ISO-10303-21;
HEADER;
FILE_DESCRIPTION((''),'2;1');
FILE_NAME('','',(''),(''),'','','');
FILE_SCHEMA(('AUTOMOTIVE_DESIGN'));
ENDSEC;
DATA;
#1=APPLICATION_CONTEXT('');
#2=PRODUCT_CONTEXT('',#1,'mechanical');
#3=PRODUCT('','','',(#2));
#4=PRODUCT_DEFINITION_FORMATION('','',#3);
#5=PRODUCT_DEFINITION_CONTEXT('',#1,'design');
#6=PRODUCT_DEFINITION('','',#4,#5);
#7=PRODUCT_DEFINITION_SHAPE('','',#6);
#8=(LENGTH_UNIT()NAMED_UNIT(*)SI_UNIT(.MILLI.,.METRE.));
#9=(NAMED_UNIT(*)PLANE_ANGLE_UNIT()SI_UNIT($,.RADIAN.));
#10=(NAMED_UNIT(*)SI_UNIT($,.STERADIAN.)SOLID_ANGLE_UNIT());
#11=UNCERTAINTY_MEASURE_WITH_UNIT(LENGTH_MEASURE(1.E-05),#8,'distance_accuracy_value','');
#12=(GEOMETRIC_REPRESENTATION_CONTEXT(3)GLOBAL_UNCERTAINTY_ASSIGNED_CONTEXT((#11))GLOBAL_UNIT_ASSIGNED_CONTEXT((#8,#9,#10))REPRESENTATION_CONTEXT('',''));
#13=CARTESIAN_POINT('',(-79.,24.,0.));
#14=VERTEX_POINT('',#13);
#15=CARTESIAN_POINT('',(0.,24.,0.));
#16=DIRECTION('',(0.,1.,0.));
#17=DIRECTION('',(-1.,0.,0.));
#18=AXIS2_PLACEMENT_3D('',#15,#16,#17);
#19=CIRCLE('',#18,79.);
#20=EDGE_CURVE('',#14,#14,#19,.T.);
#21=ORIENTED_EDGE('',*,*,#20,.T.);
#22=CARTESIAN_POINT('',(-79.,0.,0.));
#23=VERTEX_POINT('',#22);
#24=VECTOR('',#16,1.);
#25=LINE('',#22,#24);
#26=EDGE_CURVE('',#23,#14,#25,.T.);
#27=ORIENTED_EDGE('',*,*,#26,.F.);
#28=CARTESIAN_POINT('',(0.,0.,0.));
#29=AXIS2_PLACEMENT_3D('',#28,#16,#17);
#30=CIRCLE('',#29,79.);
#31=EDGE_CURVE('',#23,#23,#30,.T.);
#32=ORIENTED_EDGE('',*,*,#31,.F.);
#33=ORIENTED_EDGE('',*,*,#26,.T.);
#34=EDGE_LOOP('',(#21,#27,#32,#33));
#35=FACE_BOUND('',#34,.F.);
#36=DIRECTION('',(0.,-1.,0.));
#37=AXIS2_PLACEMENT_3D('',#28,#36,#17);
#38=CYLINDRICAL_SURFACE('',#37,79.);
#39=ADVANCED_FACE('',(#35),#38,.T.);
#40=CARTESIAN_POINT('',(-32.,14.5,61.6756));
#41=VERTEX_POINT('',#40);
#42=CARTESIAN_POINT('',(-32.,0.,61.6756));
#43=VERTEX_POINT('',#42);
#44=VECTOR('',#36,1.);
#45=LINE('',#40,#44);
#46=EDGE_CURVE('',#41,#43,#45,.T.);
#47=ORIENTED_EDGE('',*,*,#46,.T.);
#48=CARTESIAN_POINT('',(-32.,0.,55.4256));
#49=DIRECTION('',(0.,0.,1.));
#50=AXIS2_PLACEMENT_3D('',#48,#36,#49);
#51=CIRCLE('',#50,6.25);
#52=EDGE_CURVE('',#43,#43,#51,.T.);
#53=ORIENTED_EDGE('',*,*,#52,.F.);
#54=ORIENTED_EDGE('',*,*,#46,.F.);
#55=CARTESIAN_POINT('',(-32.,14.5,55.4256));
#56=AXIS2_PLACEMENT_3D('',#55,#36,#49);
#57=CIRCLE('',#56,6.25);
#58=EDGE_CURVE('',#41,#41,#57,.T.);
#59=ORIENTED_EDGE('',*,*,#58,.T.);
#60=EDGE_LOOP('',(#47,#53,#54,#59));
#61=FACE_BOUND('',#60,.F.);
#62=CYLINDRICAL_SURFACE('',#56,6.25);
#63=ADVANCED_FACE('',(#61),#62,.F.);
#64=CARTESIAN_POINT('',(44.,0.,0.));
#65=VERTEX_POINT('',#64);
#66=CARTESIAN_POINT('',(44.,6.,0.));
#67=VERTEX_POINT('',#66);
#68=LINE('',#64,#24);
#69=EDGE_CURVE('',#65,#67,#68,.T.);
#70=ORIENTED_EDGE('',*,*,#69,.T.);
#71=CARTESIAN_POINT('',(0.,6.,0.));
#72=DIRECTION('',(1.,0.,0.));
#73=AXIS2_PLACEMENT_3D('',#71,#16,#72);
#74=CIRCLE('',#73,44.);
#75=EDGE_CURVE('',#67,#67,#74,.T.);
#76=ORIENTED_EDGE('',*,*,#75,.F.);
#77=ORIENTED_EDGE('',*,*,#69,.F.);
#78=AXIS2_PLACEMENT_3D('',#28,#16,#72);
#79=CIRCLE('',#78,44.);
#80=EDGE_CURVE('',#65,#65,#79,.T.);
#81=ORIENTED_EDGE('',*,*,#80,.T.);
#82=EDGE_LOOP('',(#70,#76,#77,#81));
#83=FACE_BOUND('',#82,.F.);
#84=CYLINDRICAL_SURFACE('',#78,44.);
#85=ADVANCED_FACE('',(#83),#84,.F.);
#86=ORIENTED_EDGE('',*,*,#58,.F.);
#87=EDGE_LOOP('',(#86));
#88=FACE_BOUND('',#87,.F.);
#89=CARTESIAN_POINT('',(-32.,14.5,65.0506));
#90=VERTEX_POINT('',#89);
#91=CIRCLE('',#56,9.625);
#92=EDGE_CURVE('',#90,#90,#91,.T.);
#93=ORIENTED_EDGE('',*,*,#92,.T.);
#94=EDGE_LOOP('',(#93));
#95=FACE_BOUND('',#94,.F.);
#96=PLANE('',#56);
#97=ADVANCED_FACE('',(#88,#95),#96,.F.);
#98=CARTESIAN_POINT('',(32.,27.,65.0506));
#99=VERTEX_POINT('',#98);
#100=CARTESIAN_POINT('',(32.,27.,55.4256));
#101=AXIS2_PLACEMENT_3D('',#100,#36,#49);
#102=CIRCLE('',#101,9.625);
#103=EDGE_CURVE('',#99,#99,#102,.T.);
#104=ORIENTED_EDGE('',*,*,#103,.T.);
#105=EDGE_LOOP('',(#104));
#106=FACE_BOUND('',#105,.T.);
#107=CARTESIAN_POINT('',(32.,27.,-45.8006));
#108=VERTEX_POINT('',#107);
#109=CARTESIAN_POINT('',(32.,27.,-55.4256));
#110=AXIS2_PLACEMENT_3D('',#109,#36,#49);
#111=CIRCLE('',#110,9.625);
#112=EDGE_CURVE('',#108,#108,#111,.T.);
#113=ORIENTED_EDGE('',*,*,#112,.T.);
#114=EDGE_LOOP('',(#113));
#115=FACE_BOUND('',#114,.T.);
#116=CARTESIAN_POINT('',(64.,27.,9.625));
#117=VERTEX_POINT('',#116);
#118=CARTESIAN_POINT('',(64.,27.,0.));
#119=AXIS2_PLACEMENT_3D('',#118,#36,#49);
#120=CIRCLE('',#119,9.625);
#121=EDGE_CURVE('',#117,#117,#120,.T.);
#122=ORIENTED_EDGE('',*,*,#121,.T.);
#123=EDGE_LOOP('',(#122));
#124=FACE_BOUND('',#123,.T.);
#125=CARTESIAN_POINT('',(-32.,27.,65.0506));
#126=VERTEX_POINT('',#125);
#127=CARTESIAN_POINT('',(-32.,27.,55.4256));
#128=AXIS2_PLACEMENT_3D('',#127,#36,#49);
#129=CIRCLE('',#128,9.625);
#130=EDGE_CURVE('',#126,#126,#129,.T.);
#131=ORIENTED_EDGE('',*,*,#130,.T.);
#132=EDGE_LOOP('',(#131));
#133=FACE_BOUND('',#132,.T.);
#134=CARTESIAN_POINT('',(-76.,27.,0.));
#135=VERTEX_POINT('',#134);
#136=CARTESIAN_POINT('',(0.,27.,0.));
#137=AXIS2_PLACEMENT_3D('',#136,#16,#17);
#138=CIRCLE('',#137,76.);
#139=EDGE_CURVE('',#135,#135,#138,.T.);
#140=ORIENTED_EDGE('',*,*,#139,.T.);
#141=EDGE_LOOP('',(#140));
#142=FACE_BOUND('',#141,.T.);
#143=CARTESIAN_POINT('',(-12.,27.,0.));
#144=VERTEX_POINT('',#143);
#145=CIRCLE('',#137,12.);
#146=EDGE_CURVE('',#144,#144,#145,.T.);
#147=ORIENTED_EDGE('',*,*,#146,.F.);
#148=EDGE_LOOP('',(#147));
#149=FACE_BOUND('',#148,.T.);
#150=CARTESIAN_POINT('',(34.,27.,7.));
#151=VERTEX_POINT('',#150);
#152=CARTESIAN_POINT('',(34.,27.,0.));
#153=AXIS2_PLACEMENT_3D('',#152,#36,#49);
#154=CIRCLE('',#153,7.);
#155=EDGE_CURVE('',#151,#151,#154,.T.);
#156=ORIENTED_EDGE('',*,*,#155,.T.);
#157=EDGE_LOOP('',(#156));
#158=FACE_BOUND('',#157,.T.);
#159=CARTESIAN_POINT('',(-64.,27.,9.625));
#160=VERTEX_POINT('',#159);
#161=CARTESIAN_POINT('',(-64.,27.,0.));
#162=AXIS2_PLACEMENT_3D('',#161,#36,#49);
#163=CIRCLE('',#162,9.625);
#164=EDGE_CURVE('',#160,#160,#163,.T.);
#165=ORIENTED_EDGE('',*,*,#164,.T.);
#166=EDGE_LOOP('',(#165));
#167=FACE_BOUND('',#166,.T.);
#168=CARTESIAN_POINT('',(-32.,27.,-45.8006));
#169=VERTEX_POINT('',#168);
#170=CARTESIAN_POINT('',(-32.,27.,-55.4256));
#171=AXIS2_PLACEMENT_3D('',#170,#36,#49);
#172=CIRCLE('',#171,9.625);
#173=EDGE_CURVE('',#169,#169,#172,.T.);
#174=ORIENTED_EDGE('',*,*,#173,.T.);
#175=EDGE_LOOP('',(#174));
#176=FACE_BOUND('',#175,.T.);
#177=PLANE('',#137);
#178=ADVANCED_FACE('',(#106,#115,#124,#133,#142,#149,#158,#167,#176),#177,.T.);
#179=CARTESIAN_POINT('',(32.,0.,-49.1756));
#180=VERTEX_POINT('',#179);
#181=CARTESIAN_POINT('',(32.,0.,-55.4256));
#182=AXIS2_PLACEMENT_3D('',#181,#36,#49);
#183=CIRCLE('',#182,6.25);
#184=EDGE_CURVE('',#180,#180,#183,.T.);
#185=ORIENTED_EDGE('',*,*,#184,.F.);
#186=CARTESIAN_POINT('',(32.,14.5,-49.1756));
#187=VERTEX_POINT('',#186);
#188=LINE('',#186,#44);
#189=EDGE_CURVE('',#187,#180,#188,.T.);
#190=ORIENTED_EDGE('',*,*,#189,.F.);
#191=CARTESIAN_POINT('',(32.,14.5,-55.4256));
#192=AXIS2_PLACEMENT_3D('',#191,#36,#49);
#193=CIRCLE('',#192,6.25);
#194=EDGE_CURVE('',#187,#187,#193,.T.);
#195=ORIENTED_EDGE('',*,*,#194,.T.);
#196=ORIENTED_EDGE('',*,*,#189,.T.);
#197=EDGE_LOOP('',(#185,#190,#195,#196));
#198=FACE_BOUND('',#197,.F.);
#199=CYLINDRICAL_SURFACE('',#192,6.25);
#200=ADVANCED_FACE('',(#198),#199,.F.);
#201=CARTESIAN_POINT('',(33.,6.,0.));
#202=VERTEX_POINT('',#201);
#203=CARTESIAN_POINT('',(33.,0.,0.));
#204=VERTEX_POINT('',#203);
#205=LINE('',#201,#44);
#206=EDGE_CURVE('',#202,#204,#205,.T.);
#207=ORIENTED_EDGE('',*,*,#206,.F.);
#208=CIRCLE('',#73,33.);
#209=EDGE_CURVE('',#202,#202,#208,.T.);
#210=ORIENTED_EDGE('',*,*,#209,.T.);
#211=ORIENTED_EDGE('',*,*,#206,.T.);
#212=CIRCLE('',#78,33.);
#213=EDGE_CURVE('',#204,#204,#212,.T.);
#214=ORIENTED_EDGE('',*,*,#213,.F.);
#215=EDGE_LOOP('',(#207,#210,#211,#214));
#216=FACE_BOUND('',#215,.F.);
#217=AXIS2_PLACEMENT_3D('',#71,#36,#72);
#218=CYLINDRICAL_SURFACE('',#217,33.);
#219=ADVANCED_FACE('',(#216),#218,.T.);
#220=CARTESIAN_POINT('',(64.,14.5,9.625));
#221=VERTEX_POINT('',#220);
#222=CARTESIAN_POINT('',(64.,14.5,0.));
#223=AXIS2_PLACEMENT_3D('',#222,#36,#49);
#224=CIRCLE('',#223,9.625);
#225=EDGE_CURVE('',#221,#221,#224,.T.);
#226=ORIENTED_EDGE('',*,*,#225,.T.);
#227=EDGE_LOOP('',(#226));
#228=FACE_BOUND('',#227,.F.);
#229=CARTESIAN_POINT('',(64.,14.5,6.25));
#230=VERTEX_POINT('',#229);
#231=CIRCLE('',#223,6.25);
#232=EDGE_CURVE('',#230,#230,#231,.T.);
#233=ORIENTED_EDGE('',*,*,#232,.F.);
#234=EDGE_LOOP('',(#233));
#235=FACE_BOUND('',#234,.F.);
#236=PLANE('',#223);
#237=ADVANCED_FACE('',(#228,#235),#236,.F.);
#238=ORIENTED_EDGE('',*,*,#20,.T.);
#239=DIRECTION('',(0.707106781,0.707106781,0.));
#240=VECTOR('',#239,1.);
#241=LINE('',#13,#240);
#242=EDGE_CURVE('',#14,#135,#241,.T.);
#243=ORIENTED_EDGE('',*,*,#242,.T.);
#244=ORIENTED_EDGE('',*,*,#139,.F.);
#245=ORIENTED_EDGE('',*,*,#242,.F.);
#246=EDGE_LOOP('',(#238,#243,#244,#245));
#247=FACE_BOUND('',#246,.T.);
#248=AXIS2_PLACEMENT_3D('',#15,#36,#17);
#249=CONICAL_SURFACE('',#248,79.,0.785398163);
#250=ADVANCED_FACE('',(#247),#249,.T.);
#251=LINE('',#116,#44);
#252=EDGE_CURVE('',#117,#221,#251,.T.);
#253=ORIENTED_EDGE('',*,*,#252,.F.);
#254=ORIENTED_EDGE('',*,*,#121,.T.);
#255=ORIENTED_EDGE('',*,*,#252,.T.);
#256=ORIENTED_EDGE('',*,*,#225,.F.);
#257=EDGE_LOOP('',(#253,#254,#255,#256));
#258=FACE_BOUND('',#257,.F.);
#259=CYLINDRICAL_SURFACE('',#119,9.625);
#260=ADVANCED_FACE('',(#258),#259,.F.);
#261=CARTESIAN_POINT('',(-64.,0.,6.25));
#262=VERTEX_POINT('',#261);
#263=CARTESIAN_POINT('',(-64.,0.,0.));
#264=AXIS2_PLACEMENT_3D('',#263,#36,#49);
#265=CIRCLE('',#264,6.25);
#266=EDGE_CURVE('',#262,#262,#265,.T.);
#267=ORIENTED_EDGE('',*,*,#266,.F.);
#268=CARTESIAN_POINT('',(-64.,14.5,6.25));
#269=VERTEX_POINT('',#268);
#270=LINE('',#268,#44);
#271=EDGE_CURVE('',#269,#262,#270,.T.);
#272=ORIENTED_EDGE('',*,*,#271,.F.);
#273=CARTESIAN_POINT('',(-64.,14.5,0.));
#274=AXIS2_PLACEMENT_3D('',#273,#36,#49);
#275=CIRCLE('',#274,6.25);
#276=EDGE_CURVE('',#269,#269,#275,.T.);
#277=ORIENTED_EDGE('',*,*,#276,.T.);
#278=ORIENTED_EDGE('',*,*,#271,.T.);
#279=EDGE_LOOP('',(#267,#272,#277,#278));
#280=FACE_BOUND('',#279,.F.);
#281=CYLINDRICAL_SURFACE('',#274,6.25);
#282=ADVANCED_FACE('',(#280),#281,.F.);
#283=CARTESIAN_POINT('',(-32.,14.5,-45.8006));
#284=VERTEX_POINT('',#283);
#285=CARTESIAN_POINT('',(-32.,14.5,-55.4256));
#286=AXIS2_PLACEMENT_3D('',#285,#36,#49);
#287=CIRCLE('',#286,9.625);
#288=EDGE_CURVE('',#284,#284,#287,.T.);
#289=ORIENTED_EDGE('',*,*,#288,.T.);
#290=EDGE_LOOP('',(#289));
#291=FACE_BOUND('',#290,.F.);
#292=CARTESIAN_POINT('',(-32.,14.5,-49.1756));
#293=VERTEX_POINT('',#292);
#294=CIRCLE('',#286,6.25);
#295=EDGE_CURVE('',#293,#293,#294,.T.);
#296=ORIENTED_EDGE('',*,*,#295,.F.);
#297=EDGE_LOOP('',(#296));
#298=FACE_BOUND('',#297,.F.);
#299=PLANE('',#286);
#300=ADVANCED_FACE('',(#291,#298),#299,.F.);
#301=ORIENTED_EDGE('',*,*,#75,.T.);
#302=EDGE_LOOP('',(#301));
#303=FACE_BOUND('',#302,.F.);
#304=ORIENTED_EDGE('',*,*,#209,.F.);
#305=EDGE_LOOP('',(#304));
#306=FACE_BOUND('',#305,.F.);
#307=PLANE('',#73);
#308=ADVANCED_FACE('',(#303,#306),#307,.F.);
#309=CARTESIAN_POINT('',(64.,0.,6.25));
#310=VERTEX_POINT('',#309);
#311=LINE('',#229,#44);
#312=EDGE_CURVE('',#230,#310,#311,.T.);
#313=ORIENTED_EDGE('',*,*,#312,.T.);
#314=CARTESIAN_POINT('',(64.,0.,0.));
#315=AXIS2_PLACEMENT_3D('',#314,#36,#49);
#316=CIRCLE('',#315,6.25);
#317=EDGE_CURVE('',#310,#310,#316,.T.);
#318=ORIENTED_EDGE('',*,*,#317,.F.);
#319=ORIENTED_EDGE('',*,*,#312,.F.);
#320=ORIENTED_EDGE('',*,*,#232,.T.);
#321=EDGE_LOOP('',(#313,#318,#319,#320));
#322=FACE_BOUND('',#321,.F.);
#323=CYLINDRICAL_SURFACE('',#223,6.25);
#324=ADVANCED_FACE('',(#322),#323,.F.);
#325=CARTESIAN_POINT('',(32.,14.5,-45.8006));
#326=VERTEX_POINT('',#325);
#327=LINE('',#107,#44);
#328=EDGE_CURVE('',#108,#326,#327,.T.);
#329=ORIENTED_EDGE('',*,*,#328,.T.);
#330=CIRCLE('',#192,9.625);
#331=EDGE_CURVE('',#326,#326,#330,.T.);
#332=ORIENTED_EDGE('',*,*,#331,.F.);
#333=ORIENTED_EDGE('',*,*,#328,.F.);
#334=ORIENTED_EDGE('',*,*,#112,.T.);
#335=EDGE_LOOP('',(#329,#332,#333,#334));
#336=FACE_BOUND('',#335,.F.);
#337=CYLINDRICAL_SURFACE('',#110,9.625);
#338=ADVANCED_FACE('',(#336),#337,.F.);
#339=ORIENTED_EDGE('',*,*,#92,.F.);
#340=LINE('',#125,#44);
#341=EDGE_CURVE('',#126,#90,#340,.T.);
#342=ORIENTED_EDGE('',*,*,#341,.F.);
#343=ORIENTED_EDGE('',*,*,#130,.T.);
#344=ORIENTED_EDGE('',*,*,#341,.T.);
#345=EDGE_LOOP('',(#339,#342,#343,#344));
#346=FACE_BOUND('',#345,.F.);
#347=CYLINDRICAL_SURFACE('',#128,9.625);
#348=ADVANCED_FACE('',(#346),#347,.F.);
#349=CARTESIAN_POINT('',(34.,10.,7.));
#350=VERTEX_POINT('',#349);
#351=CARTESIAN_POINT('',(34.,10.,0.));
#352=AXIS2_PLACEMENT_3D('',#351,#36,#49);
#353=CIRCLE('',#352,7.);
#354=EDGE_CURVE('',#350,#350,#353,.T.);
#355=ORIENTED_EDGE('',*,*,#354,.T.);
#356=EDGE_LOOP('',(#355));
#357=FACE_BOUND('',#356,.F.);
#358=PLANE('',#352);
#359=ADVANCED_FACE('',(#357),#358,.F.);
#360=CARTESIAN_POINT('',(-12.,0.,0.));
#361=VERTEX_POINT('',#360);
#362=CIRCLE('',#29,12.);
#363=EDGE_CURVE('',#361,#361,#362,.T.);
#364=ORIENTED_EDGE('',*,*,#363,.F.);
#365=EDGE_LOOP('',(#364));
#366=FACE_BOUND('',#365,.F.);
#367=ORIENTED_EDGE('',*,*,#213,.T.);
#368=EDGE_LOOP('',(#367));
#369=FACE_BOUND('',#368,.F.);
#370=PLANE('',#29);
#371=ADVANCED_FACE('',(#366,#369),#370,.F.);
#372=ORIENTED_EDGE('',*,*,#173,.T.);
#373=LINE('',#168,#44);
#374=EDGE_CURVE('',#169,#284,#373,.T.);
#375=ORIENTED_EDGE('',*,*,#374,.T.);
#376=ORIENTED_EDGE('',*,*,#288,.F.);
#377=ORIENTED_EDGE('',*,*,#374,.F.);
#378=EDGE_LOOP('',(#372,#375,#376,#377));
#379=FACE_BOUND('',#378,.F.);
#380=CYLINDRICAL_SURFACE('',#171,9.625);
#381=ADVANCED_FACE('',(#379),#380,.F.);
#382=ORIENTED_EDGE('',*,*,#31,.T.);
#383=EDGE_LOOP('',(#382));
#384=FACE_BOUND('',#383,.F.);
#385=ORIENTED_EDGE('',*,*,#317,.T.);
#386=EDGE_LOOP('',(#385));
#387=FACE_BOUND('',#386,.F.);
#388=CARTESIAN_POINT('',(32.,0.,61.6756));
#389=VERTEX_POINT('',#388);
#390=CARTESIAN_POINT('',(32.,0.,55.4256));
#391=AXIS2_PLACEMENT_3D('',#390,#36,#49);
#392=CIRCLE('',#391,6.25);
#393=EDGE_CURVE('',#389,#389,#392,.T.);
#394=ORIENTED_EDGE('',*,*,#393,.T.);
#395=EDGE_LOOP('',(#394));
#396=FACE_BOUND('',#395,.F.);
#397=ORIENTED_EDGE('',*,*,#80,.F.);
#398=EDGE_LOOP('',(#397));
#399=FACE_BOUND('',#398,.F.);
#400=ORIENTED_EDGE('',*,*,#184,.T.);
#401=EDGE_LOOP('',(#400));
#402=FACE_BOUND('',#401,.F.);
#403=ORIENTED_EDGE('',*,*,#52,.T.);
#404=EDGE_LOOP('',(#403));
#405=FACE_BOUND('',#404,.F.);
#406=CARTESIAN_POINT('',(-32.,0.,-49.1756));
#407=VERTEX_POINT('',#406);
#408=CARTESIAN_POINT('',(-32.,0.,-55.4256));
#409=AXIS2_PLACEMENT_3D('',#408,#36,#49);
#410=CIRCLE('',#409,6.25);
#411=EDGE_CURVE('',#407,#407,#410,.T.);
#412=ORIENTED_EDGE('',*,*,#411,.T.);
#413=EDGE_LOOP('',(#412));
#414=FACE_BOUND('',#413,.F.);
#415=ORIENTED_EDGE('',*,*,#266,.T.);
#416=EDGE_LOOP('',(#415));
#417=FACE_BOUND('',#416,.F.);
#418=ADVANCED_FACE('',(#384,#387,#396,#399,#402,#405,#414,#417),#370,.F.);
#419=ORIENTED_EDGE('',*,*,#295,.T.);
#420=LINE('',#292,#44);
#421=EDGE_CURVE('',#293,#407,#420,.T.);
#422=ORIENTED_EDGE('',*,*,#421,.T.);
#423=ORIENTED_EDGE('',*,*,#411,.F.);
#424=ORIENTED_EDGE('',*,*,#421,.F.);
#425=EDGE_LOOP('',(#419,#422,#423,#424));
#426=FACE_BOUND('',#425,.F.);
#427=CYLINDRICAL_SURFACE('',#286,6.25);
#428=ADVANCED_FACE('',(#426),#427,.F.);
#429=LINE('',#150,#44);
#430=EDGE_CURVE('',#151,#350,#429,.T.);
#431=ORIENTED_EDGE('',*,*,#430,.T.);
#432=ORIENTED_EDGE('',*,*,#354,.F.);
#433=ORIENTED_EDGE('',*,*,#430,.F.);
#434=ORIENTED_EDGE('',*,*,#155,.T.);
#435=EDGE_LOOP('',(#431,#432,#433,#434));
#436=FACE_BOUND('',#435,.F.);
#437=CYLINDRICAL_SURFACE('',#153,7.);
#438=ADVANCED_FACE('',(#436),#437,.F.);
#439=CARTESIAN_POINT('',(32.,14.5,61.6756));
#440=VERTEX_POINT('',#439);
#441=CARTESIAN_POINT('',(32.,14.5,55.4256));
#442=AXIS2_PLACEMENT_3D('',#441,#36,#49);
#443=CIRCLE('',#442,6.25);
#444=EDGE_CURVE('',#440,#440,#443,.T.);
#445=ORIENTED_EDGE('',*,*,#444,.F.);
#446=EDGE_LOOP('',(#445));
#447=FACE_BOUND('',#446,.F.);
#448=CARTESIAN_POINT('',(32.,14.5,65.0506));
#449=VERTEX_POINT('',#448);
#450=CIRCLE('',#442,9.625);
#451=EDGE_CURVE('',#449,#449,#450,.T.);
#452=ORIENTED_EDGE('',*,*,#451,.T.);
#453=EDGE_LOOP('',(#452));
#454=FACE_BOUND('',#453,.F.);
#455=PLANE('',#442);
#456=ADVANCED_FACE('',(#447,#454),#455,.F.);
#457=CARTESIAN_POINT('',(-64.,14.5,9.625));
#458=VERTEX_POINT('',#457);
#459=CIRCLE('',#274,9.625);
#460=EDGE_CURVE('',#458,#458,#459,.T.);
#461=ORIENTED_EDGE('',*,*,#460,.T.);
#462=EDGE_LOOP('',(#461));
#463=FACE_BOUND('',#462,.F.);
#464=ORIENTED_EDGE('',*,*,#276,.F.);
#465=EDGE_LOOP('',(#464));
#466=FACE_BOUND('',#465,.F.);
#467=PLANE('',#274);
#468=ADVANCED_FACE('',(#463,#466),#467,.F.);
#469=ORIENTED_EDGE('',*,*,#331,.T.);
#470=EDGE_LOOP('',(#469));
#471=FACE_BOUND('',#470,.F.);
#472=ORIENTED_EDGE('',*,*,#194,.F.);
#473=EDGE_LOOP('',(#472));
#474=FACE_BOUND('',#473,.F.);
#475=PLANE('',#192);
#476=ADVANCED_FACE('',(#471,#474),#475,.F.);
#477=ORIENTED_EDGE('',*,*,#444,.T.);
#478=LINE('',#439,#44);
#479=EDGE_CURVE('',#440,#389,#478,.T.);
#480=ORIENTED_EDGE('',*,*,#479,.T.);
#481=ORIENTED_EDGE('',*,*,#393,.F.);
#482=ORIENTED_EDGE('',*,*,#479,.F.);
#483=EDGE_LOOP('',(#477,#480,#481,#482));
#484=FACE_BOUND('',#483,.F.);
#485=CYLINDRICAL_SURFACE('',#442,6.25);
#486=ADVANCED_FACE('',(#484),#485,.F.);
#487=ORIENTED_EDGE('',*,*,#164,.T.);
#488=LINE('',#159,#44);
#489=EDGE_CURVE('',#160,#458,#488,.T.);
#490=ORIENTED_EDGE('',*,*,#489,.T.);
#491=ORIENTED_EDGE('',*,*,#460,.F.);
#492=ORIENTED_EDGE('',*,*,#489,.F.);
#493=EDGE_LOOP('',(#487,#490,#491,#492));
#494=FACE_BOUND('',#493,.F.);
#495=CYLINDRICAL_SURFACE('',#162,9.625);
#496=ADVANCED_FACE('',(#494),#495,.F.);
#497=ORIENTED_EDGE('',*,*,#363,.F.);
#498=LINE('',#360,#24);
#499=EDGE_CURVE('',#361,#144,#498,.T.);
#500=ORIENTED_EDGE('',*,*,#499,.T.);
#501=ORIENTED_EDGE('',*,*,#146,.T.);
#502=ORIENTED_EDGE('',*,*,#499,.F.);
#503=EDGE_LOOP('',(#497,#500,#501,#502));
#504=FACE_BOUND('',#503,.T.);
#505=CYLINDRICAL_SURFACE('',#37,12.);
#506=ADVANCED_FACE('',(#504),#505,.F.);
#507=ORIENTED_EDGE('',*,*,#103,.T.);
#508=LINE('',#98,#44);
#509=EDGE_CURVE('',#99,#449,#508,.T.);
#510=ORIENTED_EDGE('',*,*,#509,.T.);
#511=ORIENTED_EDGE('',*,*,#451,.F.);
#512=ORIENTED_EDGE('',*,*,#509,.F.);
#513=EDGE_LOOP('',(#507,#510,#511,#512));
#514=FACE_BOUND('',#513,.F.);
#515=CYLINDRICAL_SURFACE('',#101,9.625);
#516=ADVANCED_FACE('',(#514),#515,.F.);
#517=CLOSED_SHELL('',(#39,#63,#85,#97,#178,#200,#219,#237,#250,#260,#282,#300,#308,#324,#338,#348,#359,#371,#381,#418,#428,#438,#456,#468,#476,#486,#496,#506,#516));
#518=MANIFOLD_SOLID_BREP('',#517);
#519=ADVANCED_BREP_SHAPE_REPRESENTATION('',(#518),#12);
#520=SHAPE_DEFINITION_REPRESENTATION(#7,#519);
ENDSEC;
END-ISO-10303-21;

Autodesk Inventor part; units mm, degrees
ref_plane "YZ Plane" through (0, 0, 0) normal (1, 0, 0) x (0, 1, 0)
ref_plane "XZ Plane" through (0, 0, 0) normal (0, 1, 0) x (-1, 0, 0)
ref_plane "XY Plane" through (0, 0, 0) normal (0, 0, 1) x (1, 0, 0)
sketch "Boceto1" plane through (0, 0, 0) normal (0, 1, 0) x (-1, 0, 0)
  circle A0 centre (0, 0) radius 79
  circle A1 centre (0, 0) radius 12
  dimension "d0" = 158
  dimension "d1" = 24
extrude "Extrusión1" add sketch "Boceto1" along normal blind 27
chamfer "Chaflán1" distance 3 angle 45 1 edges at (79, 27, 0) measured on face at (-12.739, 27, -55.0245)
sketch "Boceto2" plane through (0, 27, 0) normal (0, 1, 0) x (1, 0, 0)
  circle A0 centre (0, 0) radius 64 construction
  line L0 (0, 0) -> (64, 0) construction
  point P0 (32, 55.4256)
  point P1 (-32, 55.4256)
  point P2 (-64, 0)
  point P3 (-32, -55.4256)
  point P4 (32, -55.4256)
  dimension "d7" = 128
  dimension "d10" = 360
hole "Agujero1" at (64, 27, 0) at (32, 27, -55.4256) at (-32, 27, -55.4256) at (-64, 27, 0) at (-32, 27, 55.4256) at (32, 27, 55.4256) direction (0, -1, 0) diameter 12.5 end through all counterbore diameter 19.25 counterbore depth 12.5
sketch "Boceto3" plane through (0, 27, 0) normal (0, 1, 0) x (1, 0, 0)
  line L0 (0, 0) -> (34, 0) construction
  dimension "d19" = 34
hole "Agujero2" at (34, 27, 0) direction (0, -1, 0) diameter 14 depth 17
sketch "Boceto5" plane through (0, 0, 0) normal (0, 0, 1) x (1, 0, 0)
  line L0 (79, 0) -> (-79, 0) construction
  line L1 (79, 0) -> (33, 0) construction
  line L2 (33, 0) -> (44, 0)
  line L3 (44, 0) -> (44, 6)
  line L4 (44, 6) -> (33, 6)
  line L5 (33, 6) -> (33, 0)
  line L6 (0, 0) -> (0, 42.6021) construction
  dimension "d29" = 46
  dimension "d30" = 11
  dimension "d31" = 6
  dimension "d32" = 11
revolve "Revolución1" cut sketch "Boceto5" angle 360 about axis through (0, 0, 0) along (0, 1, 0)
properties part number "2_VálvulaSuperior"
